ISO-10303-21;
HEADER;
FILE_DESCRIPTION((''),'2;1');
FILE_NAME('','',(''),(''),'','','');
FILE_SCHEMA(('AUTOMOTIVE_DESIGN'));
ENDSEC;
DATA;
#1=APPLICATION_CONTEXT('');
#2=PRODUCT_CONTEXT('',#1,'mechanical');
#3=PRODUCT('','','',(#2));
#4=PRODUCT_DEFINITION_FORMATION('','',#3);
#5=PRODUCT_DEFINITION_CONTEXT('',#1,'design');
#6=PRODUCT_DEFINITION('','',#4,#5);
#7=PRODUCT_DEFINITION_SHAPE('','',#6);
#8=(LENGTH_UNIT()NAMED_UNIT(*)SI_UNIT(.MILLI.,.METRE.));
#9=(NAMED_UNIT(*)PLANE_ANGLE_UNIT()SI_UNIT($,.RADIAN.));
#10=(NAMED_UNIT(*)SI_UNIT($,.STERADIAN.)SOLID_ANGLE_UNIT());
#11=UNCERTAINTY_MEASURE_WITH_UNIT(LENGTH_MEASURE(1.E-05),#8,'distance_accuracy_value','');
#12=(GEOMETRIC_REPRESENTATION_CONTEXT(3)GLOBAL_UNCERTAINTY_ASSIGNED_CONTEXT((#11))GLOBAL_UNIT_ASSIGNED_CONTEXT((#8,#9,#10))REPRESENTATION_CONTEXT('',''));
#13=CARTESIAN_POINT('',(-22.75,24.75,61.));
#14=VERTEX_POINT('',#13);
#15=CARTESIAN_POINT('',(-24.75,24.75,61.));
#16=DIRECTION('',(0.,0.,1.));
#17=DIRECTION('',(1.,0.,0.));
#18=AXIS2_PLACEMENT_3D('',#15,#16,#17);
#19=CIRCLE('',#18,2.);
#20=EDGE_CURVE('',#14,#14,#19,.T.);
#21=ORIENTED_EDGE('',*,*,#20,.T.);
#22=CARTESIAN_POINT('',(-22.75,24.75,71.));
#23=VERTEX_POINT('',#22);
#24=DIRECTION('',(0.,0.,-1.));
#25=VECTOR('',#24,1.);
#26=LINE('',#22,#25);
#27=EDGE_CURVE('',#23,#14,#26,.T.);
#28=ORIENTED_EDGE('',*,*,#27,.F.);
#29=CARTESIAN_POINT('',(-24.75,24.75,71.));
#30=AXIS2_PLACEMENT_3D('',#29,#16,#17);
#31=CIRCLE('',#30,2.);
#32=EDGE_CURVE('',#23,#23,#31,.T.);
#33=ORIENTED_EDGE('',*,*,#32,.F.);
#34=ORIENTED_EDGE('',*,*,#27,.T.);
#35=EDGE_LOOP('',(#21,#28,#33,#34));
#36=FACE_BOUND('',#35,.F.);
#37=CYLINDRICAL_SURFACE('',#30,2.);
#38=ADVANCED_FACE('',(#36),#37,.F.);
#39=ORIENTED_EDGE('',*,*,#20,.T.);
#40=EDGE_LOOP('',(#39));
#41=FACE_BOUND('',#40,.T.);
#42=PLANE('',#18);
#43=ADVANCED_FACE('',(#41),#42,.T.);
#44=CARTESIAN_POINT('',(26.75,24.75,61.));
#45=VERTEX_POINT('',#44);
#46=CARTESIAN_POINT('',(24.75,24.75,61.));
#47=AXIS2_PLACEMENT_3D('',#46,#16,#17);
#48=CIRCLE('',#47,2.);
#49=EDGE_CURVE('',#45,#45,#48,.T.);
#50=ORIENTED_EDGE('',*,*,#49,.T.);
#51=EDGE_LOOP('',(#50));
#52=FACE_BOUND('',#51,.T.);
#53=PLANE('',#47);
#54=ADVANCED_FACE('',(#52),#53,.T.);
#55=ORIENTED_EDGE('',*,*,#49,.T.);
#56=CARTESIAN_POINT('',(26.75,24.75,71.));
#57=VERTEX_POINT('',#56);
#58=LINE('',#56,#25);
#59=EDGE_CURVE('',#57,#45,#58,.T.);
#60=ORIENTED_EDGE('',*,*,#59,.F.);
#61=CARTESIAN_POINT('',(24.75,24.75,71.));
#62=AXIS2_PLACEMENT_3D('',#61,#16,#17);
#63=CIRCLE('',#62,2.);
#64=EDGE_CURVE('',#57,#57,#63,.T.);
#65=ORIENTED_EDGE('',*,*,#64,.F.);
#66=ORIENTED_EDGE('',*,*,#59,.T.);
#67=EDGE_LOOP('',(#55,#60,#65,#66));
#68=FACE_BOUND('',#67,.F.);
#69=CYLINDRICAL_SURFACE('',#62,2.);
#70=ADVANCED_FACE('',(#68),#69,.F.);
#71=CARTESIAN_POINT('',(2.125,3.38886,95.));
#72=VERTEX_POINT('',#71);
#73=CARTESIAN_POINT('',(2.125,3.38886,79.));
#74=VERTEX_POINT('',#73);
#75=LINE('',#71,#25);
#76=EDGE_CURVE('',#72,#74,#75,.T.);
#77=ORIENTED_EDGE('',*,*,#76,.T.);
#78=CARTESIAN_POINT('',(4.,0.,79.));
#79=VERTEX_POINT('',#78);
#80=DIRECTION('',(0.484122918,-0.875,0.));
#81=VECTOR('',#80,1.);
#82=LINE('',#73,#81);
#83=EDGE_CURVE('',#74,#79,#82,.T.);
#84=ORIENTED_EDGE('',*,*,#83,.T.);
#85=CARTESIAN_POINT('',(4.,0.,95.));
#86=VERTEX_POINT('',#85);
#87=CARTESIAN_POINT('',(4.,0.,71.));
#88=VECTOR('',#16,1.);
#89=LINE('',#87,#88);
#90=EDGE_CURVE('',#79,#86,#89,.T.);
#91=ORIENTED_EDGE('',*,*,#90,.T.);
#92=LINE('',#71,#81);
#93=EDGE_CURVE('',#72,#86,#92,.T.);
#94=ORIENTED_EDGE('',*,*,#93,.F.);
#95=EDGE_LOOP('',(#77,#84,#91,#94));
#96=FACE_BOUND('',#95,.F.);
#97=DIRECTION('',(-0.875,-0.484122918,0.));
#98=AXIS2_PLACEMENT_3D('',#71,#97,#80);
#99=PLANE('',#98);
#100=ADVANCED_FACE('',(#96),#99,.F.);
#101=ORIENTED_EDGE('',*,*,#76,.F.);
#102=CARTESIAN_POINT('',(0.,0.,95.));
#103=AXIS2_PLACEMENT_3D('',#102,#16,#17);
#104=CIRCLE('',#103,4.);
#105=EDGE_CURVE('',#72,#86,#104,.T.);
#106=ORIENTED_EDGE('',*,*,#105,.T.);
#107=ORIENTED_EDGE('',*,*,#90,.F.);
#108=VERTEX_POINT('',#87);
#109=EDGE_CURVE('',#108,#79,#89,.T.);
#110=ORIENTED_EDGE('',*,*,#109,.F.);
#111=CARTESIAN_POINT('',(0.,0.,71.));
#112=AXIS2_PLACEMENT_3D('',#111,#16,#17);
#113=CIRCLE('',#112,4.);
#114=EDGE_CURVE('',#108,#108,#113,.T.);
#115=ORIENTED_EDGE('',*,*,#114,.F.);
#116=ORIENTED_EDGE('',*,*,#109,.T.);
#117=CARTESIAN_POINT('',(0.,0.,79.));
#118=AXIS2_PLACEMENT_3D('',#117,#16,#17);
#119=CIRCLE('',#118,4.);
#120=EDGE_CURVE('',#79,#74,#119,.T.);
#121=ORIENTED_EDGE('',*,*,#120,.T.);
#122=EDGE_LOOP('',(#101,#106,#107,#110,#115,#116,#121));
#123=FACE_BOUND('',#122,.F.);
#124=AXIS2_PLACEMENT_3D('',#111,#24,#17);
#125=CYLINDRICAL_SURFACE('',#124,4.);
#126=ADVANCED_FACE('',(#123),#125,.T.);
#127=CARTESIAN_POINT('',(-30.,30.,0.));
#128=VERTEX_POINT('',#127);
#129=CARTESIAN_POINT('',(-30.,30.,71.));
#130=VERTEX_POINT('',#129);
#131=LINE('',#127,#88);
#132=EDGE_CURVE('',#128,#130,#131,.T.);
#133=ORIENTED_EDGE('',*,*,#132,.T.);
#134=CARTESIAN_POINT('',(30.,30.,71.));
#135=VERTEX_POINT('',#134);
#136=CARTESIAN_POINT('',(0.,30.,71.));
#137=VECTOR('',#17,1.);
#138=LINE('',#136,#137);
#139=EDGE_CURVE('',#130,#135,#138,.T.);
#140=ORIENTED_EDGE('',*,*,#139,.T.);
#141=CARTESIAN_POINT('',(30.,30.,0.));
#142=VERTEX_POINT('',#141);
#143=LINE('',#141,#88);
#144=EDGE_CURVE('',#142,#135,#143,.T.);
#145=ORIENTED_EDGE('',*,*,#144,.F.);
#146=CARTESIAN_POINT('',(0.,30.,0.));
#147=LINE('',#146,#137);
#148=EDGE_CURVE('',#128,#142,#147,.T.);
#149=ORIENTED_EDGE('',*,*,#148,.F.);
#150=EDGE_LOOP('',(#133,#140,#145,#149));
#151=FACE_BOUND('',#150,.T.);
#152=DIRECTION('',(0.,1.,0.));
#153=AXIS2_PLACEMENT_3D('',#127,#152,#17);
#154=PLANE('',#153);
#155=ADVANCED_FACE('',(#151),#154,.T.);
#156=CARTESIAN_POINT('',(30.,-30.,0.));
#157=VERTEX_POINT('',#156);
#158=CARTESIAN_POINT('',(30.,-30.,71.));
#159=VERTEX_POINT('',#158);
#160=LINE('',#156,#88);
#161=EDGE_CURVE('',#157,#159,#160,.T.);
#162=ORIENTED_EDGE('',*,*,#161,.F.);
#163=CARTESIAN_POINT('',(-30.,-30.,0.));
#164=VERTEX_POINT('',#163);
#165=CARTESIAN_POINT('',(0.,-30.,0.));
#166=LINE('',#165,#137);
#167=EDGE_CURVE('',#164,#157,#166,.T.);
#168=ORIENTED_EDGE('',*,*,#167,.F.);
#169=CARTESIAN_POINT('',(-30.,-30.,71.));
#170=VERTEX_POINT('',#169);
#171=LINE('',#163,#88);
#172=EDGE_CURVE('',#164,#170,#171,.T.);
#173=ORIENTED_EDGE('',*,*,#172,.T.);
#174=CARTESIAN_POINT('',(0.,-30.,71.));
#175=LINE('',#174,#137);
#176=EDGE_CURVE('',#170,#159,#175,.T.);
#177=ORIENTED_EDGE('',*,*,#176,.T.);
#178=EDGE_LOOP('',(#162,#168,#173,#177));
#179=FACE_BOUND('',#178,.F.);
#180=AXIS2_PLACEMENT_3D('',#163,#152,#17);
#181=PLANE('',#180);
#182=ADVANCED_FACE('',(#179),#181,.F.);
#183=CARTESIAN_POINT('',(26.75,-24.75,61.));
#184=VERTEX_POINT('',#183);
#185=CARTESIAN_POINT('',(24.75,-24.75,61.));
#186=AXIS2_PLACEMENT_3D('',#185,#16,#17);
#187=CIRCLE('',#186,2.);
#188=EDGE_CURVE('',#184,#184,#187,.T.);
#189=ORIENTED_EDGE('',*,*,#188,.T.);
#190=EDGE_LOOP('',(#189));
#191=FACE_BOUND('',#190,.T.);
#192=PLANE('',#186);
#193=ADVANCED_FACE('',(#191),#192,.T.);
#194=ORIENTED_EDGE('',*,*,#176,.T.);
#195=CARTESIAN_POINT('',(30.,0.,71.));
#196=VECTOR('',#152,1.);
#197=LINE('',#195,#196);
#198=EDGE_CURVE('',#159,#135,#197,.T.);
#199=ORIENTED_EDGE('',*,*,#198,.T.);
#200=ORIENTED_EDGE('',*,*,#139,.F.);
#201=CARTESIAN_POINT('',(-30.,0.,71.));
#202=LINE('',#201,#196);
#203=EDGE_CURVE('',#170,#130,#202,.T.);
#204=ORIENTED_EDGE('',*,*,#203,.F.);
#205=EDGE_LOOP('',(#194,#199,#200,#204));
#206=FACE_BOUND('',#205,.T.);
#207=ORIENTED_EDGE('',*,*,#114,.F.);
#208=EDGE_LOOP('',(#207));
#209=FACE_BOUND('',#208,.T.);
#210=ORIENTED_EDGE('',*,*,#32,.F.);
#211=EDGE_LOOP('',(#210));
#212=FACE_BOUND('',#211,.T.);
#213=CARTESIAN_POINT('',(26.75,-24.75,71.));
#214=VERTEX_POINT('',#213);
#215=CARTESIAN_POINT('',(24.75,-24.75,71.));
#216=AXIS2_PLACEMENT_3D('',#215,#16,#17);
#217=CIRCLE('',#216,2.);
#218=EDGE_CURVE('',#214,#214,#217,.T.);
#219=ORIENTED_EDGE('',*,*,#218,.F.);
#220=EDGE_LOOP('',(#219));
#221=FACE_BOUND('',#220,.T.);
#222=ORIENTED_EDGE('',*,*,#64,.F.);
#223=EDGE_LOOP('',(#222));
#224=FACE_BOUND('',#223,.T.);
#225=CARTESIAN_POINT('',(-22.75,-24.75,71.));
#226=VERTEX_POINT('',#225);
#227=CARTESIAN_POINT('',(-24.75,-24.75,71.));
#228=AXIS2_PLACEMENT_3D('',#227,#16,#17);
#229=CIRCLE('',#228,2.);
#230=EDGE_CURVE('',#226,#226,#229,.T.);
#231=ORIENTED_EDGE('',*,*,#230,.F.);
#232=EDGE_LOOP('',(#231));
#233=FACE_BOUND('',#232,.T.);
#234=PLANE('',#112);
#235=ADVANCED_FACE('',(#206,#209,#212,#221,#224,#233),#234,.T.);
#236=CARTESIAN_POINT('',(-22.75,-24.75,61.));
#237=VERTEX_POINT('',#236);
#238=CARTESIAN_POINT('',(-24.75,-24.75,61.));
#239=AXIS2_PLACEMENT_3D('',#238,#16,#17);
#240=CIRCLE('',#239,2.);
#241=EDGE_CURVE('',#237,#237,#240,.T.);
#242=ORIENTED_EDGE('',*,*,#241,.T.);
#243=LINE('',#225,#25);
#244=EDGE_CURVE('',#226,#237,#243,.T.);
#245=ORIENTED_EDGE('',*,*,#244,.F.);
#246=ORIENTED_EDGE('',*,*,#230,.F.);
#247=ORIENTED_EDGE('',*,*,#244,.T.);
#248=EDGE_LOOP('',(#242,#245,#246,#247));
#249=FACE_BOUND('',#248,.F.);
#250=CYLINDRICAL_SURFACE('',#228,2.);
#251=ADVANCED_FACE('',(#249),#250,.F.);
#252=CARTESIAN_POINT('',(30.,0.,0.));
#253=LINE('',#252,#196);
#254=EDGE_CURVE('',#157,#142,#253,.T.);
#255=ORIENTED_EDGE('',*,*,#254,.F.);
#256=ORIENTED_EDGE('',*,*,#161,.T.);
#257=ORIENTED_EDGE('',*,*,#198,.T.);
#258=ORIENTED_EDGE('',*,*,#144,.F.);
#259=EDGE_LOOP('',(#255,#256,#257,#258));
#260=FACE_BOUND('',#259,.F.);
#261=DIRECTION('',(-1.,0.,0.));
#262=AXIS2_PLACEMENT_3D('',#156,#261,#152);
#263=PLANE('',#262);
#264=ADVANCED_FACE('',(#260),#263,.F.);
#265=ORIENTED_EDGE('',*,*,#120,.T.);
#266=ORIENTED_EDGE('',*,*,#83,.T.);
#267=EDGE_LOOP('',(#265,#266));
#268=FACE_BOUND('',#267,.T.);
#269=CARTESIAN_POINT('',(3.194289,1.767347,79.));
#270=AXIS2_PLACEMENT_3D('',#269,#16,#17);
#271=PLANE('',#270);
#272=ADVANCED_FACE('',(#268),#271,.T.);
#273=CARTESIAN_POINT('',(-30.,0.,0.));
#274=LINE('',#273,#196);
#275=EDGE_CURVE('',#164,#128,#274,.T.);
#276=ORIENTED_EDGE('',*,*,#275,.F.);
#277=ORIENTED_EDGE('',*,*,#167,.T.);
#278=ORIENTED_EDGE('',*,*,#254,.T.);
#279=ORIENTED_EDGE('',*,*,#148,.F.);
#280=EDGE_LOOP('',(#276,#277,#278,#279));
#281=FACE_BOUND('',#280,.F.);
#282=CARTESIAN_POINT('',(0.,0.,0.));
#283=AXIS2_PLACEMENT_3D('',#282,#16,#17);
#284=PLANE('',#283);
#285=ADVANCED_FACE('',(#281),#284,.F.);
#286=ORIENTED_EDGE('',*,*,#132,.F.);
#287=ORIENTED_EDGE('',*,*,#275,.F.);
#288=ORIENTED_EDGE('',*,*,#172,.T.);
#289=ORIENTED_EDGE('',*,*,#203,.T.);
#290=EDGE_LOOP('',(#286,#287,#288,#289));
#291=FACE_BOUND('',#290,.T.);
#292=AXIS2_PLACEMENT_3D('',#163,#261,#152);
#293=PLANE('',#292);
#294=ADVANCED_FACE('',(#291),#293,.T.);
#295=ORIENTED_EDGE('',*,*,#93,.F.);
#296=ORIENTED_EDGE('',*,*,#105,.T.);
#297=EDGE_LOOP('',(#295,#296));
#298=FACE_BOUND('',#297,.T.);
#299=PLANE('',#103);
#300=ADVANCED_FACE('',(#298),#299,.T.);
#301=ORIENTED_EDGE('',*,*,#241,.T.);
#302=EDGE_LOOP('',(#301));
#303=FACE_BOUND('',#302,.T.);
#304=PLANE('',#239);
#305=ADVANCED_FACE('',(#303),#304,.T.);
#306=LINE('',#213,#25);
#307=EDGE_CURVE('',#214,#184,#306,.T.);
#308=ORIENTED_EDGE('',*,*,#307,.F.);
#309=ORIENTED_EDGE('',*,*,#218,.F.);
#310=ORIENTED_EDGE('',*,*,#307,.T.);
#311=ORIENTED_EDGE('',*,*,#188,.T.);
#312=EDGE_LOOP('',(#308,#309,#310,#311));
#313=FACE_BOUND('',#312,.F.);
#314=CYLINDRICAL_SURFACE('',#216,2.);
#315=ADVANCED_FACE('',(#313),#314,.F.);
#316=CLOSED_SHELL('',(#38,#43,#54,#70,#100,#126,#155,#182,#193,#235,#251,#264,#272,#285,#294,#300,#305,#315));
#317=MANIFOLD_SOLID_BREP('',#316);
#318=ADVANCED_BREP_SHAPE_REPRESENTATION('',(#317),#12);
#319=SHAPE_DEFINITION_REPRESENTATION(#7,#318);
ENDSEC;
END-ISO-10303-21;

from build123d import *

# Parameters (mm, degrees)
F0_W     = 60
F0_H     = 60
F1_DEPTH = 71
F2_R     = 2
F3_DEPTH = 10
F4_R     = 4
F5_DEPTH = 24
F7_DEPTH = 16


with BuildPart() as f1:
    # F0 (on Top) → F1 (new body)
    with BuildSketch(Plane.XY):
        Rectangle(F0_W, F0_H)
    extrude(amount=F1_DEPTH)

    # F2 (on face) → F3 (cut)
    with BuildSketch(Plane.XY.offset(71)):
        with Locations((-24.75, -24.75)):
            Circle(F2_R)
        with Locations((24.75, -24.75)):
            Circle(F2_R)
        with Locations((-24.75, 24.75)):
            Circle(F2_R)
        with Locations((24.75, 24.75)):
            Circle(F2_R)
    extrude(amount=-F3_DEPTH, mode=Mode.SUBTRACT)

    # F4 (on face) → F5 (join)
    with BuildSketch(Plane.XY.offset(71)):
        Circle(F4_R)
    extrude(amount=F5_DEPTH)

    # F6 (on face) → F7 (cut)
    with BuildSketch(Plane.XY.offset(95)):
        with BuildLine():
            Line((2.125, 3.3888604279), (4, 0))
            ThreePointArc((4, 0), (3.5, 1.9364916731), (2.125, 3.3888604279))
        make_face()
    extrude(amount=-F7_DEPTH, mode=Mode.SUBTRACT)


solid = f1.part
